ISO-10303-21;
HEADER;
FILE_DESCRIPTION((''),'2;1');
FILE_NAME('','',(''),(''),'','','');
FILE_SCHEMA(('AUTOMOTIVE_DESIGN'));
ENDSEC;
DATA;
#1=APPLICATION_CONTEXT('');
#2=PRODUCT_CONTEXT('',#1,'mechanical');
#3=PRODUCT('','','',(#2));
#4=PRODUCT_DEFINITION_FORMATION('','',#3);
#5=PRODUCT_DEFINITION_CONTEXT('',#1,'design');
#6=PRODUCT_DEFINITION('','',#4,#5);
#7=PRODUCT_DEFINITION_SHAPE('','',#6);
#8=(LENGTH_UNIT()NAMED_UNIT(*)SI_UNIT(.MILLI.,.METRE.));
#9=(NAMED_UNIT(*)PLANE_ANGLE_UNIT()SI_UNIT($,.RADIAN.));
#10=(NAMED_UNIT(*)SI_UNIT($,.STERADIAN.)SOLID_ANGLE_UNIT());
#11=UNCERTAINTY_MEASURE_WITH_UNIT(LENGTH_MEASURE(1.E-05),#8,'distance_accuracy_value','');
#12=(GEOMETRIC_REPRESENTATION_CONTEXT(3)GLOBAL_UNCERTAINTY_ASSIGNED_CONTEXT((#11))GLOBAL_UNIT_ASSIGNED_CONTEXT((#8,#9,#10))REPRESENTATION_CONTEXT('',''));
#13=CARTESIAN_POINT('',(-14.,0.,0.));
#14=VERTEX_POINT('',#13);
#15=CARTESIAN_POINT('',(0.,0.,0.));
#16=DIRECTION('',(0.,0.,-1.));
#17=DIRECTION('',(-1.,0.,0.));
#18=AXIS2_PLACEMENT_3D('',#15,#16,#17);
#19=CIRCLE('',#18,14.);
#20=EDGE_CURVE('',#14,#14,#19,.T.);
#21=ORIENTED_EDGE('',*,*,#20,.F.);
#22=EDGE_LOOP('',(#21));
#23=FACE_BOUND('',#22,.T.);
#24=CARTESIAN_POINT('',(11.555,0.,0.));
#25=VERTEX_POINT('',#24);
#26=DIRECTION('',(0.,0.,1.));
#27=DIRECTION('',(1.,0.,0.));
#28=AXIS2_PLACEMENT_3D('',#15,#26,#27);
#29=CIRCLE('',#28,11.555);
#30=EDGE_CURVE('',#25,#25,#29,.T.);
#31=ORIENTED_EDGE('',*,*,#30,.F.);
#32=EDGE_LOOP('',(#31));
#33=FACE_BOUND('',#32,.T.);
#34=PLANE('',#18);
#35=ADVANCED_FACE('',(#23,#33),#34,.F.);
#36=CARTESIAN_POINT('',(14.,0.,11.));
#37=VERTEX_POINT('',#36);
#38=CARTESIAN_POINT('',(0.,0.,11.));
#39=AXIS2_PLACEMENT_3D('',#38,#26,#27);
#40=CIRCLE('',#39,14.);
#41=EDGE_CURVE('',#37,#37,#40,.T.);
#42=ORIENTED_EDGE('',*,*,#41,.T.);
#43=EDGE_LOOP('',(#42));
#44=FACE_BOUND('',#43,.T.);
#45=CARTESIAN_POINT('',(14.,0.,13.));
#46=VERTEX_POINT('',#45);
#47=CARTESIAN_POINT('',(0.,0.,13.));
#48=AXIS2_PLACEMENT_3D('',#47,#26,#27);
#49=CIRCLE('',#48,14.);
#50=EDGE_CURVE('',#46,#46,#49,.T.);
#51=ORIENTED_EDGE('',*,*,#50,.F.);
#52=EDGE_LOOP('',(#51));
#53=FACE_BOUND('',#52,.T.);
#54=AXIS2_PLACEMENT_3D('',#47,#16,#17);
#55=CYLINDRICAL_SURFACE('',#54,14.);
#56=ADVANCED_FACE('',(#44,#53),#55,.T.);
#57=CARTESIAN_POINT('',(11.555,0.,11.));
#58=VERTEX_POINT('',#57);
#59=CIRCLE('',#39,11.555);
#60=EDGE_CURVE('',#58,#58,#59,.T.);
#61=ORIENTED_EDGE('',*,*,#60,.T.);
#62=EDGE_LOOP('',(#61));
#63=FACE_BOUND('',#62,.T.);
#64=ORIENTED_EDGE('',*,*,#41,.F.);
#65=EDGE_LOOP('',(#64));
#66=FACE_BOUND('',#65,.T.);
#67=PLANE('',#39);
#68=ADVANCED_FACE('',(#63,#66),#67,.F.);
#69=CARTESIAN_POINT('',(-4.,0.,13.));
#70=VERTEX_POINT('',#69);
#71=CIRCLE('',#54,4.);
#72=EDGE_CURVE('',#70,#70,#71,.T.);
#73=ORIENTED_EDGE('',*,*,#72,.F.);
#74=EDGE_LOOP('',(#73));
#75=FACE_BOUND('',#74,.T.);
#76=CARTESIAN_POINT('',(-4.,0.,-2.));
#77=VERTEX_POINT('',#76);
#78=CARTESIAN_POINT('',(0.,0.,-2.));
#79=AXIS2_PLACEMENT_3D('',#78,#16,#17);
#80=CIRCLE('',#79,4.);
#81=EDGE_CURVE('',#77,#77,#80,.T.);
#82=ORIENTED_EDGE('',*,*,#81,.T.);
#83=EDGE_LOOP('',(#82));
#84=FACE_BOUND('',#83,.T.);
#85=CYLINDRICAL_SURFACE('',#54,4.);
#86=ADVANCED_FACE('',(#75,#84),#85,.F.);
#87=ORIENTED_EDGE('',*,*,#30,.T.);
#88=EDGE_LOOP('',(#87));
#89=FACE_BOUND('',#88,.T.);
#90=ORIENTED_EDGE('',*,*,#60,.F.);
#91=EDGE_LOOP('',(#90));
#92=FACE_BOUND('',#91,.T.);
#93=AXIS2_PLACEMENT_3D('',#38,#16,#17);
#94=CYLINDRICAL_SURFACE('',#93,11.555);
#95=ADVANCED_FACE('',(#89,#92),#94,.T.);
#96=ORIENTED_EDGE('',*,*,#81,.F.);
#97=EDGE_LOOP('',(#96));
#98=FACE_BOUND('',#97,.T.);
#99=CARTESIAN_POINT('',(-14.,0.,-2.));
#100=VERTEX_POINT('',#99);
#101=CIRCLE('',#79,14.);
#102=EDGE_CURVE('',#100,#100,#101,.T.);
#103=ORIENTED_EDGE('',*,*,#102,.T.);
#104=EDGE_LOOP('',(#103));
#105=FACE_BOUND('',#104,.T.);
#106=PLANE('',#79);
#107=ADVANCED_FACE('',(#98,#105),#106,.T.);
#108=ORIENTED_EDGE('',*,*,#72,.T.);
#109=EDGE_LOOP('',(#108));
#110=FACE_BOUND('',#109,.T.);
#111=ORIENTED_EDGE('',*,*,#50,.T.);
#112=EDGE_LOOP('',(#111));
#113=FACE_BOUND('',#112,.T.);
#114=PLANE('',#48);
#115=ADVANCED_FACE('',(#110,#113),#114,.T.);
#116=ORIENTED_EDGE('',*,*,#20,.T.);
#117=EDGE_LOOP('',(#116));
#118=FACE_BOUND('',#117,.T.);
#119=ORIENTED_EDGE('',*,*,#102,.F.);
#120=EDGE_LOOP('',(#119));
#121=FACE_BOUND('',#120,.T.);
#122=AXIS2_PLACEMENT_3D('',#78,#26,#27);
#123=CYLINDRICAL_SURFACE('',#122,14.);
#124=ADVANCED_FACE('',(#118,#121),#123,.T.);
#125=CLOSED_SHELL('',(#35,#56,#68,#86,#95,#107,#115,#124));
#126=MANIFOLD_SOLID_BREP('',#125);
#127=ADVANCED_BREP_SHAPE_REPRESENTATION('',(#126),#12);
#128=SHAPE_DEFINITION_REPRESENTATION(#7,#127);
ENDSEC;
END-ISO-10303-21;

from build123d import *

# Parameters (mm, degrees)
SKETCH_1_R          = 11.555
EXTRUDE_1_DEPTH     = 11
SKETCH_2_R          = 14
EXTRUDE_2_DEPTH     = 2
EXTRUDE_START       = 2
SKETCH_3_R          = 14
EXTRUDE_3_DEPTH     = 2
SKETCH_4_R          = 4
CUT_EXTRUDE_1_DEPTH = 25.839484697


with BuildPart() as part:
    # 草图1 → 凸台-拉伸1 (new body)
    with BuildSketch(Plane.XY):
        Circle(SKETCH_1_R)
    extrude(amount=EXTRUDE_1_DEPTH)

    # 草图2 → 凸台-拉伸2 (add)
    with BuildSketch(Plane.XY.offset(11)):
        Circle(SKETCH_2_R)
    extrude(amount=EXTRUDE_2_DEPTH)

    # 草图3 → 凸台-拉伸3 (add)
    with BuildSketch(Plane(origin=(0, 0, 0), x_dir=(-1, 0, 0), z_dir=(0, 0, -1)).offset(EXTRUDE_START)):
        with Locations(Location((0, 0, 0), (0, 0, 180))):
            Circle(SKETCH_3_R)
    extrude(amount=-EXTRUDE_3_DEPTH)

    # 草图4 → 切除-拉伸1 (cut, through all)
    with BuildSketch(Plane(origin=(0, 0, -2), x_dir=(-1, 0, 0), z_dir=(0, 0, -1))):
        Circle(SKETCH_4_R)
    extrude(amount=-CUT_EXTRUDE_1_DEPTH, mode=Mode.SUBTRACT)


solid = part.part
